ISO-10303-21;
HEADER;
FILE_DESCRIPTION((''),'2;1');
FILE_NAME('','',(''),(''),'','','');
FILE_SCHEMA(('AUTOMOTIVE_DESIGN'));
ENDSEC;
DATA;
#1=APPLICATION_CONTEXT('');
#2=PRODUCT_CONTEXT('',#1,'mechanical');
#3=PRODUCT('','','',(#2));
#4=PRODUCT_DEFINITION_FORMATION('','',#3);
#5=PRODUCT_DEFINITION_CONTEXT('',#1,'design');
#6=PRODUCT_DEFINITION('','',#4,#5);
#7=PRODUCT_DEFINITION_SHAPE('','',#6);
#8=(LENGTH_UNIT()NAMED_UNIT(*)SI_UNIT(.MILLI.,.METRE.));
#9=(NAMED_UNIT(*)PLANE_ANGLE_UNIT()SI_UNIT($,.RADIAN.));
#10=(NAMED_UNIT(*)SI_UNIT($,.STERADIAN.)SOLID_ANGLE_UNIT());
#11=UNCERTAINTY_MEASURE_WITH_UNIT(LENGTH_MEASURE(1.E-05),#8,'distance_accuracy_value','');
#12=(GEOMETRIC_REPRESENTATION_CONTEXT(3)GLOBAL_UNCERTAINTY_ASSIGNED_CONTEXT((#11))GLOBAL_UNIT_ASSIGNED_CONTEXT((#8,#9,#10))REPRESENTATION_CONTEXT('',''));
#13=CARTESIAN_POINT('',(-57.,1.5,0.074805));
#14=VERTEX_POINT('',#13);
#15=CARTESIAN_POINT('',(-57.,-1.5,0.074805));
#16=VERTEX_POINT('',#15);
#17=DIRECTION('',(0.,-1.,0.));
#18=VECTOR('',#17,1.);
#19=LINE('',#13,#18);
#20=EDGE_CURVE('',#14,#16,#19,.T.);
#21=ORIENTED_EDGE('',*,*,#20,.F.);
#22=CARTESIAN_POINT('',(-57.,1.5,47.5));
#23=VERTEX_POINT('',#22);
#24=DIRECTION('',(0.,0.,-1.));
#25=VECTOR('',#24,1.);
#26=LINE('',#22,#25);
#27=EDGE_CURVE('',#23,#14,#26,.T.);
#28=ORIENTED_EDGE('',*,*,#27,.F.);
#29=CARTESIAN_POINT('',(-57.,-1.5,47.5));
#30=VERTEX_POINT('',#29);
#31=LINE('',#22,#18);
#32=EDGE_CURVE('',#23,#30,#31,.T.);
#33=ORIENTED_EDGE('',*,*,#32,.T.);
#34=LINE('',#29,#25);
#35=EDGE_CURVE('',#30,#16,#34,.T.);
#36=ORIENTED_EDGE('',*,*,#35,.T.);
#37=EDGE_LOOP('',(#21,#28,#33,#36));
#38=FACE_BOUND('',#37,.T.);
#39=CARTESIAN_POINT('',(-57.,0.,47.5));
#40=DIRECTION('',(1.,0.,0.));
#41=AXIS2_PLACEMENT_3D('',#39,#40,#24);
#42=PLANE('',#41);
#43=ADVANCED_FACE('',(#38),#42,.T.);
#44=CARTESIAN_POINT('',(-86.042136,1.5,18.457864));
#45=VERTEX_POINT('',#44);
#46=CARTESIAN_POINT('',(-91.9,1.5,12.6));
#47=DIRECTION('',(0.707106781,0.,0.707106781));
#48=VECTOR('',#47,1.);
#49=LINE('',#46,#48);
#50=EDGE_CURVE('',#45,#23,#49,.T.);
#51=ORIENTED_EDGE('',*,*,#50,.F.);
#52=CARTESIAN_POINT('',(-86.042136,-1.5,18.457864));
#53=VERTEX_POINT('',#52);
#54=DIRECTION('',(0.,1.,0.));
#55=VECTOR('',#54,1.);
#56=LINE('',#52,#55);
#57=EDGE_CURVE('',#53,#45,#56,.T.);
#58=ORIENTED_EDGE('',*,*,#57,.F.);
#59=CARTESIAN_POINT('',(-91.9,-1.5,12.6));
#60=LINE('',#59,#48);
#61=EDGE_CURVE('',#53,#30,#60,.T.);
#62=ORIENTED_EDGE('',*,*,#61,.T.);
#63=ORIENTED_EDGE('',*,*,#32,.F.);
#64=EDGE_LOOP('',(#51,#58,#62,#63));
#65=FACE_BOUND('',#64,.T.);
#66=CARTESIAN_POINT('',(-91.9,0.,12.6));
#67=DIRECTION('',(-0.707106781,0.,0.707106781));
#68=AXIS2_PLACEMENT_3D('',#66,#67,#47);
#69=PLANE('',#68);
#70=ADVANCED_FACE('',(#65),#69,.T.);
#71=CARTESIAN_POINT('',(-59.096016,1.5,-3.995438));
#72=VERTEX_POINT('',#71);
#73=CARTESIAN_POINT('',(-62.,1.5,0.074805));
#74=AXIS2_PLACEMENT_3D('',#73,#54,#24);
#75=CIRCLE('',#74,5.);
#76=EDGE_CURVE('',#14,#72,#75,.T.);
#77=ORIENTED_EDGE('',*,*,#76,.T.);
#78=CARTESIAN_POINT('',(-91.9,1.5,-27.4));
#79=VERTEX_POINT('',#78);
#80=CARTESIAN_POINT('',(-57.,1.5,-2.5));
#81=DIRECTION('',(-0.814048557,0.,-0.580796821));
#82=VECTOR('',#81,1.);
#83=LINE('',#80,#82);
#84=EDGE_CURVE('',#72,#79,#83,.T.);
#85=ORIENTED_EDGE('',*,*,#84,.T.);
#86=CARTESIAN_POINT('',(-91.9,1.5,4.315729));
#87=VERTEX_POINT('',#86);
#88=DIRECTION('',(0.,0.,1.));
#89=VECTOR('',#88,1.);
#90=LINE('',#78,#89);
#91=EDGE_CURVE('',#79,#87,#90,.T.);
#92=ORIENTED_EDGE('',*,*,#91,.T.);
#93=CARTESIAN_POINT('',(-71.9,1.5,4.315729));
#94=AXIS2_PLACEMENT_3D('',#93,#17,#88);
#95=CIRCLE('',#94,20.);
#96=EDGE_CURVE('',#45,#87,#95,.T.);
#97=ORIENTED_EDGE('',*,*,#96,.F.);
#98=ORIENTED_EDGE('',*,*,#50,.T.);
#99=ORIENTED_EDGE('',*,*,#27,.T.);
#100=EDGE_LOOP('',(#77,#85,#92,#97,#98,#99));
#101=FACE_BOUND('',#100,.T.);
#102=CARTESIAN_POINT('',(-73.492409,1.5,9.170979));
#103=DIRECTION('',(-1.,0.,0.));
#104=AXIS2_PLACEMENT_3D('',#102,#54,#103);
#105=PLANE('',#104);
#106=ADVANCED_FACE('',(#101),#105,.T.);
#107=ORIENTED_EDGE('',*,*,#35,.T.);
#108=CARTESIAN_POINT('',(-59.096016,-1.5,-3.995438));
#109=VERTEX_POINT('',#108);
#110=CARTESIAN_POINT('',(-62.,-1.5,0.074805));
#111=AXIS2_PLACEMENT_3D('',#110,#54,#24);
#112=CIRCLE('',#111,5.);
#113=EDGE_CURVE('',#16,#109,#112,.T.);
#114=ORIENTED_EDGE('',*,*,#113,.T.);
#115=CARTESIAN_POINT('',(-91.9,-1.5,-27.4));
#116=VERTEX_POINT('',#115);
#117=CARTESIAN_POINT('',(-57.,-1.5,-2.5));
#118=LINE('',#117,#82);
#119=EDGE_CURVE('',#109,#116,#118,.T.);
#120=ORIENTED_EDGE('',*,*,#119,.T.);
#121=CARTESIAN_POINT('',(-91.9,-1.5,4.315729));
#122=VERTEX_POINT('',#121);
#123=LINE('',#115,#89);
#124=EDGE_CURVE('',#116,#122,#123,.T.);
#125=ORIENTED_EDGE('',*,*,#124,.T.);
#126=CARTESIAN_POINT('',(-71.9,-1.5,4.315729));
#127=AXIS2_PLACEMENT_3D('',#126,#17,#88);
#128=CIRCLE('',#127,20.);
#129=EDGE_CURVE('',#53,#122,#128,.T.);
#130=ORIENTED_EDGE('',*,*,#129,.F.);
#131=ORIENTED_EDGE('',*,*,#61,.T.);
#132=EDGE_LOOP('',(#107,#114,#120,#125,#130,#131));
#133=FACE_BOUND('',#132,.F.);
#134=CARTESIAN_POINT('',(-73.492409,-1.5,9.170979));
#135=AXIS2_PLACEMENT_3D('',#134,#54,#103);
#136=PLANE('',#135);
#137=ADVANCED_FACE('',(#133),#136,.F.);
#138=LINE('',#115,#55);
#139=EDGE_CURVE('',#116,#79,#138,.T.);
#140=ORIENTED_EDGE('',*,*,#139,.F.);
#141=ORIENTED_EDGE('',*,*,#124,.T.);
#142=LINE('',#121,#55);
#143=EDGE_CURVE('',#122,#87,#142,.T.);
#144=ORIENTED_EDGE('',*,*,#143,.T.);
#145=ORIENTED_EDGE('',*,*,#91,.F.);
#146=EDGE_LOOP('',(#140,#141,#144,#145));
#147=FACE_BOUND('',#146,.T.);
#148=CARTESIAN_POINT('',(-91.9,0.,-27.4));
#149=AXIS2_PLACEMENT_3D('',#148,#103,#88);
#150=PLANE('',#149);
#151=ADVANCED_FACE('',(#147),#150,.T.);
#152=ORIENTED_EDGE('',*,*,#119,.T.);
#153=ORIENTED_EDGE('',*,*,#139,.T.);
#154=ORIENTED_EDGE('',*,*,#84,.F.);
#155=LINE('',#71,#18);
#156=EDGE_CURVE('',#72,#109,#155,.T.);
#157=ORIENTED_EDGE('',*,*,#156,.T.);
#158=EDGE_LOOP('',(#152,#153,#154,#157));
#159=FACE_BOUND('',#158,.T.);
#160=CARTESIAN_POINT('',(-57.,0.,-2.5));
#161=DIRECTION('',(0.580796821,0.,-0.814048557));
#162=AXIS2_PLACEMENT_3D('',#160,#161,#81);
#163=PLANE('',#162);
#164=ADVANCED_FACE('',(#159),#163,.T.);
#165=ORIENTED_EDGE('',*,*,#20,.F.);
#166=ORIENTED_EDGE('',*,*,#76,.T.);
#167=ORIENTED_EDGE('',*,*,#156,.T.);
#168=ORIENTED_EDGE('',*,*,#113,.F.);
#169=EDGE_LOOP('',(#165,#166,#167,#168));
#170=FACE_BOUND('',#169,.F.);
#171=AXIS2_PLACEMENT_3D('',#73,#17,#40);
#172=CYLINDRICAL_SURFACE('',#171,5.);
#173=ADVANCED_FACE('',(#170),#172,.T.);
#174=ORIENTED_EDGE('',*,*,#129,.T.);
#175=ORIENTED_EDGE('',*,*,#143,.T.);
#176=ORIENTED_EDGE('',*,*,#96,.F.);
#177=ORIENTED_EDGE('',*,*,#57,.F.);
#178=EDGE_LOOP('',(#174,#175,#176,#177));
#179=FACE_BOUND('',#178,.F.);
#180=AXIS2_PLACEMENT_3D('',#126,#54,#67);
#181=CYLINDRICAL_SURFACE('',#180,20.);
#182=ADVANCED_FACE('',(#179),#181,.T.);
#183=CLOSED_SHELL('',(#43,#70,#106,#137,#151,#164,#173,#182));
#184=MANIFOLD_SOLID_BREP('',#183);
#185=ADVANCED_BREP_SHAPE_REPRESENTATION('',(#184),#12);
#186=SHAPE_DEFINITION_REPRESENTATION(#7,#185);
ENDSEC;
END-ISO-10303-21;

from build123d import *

# Parameters (mm, degrees)
PAD007_DEPTH            = 1.5
FILLET008_R             = 20
FILLET009_R             = 5
BODY008_PLACEMENT_ANGLE = 90


with BuildPart() as part:
    # Sketch012 → Pad007 (new body, symmetric)
    with BuildSketch(Plane.YZ):
        Polygon((27, -2.5), (61.9, -27.4), (61.9, 12.6), (27, 47.5), align=None)
    extrude(amount=PAD007_DEPTH, both=True)

    # Fillet008
    fillet008_edges = [part.edges().sort_by_distance(p)[0] for p in [
        (0, 61.9, 12.6),
    ]]
    fillet(fillet008_edges, radius=FILLET008_R)

    # Fillet009
    fillet009_edges = [part.edges().sort_by_distance(p)[0] for p in [
        (0, 27, -2.5),
    ]]
    fillet(fillet009_edges, radius=FILLET009_R)


with BuildPart() as part_1:
    # Body008 placement: moved
    add(part.part.moved(Location((-30, 0, 0))).rotate(Axis((-30, 0, 0), (0, 0, 1)), BODY008_PLACEMENT_ANGLE))


solid = part_1.part
